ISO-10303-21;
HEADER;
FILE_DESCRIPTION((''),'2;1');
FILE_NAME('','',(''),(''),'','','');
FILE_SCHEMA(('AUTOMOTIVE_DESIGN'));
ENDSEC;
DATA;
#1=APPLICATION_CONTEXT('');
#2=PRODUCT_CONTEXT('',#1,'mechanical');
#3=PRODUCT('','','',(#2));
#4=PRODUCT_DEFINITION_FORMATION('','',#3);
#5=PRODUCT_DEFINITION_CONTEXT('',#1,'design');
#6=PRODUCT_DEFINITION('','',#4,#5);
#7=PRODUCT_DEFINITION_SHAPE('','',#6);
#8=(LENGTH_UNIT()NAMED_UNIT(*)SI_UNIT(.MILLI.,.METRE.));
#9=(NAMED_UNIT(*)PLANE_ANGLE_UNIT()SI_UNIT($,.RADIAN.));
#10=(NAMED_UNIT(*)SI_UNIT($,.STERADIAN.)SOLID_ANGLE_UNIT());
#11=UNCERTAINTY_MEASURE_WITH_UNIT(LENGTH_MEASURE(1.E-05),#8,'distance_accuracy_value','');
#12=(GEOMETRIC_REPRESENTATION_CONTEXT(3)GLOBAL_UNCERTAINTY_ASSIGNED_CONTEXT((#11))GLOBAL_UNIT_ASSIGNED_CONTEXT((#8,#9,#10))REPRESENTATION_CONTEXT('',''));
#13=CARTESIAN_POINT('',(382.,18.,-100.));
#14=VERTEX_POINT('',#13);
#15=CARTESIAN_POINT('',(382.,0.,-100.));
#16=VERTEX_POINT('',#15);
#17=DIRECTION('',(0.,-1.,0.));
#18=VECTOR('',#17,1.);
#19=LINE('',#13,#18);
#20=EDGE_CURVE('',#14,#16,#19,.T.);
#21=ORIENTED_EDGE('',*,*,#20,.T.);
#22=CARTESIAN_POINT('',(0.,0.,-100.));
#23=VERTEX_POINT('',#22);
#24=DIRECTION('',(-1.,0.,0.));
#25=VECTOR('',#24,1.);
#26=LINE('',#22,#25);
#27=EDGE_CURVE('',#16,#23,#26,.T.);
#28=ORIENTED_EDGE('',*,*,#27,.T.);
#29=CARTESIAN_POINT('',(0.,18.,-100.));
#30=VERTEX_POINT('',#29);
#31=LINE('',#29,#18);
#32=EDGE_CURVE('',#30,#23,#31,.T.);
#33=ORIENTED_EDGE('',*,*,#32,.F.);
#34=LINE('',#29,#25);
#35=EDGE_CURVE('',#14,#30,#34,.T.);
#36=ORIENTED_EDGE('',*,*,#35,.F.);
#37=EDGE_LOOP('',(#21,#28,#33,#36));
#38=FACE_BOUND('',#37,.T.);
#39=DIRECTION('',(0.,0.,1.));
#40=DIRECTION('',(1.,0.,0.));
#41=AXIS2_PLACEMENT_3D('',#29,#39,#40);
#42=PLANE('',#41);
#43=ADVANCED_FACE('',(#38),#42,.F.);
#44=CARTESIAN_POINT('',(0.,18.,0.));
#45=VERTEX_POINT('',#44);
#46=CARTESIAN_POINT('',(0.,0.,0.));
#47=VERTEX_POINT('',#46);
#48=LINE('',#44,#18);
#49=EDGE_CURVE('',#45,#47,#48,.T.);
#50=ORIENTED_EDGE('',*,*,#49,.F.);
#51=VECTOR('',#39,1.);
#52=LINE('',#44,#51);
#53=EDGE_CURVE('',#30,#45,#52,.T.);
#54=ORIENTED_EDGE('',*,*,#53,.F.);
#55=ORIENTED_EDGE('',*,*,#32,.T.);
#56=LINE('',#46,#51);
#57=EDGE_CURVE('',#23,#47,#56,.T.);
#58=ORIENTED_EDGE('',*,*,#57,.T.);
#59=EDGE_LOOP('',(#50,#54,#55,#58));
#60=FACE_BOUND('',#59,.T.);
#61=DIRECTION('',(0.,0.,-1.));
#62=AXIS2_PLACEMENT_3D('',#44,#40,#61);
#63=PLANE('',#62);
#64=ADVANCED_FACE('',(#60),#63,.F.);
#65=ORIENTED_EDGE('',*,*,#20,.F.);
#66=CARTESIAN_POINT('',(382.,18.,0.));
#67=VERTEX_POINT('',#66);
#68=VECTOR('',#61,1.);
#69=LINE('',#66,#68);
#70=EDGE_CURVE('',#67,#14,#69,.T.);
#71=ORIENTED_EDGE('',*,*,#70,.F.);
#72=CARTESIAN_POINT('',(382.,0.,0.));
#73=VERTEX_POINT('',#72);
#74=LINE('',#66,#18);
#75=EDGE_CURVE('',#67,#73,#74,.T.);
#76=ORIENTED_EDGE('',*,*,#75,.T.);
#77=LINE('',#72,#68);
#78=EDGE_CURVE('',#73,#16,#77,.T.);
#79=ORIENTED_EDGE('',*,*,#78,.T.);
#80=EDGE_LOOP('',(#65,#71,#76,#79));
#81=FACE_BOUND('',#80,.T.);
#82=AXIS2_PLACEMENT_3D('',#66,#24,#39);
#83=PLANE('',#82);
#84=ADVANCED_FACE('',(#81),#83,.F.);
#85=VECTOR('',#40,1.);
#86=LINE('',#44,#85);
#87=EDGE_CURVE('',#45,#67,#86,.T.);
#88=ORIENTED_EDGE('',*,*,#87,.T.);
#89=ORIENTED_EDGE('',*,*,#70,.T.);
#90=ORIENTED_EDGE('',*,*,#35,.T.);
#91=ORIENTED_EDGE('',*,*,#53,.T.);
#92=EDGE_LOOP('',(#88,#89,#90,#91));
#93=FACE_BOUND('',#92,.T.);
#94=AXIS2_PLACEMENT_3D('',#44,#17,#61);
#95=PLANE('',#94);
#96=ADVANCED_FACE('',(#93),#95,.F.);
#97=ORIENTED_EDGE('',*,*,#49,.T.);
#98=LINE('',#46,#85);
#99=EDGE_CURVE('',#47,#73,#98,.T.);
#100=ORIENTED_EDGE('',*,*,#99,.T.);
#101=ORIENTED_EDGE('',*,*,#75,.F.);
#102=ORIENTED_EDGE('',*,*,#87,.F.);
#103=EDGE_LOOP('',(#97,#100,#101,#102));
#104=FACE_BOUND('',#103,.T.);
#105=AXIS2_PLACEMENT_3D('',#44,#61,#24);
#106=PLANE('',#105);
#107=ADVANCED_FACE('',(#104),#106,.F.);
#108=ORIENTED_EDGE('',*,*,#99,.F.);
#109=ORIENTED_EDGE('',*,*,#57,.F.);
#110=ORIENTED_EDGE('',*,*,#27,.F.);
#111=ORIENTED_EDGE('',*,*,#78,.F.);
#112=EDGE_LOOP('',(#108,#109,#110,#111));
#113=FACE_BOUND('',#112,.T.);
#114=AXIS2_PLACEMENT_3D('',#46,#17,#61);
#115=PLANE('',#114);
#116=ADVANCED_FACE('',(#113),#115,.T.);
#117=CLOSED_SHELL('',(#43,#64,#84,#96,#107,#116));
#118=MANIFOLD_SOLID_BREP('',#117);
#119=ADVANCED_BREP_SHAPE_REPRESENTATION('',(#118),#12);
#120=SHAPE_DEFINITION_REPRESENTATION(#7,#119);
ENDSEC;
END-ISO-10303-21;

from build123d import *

# Parameters (mm, degrees)
SKETCH1_W           = 382
SKETCH1_H           = 100
BOSS_EXTRUDE1_DEPTH = 18


with BuildPart() as part:
    # Sketch1 → Boss-Extrude1 (new body)
    with BuildSketch(Plane(origin=(0, 0, 0), x_dir=(1, 0, 0), z_dir=(0, 1, 0))):
        with Locations((191, 50)):
            Rectangle(SKETCH1_W, SKETCH1_H)
    extrude(amount=BOSS_EXTRUDE1_DEPTH)


solid = part.part
